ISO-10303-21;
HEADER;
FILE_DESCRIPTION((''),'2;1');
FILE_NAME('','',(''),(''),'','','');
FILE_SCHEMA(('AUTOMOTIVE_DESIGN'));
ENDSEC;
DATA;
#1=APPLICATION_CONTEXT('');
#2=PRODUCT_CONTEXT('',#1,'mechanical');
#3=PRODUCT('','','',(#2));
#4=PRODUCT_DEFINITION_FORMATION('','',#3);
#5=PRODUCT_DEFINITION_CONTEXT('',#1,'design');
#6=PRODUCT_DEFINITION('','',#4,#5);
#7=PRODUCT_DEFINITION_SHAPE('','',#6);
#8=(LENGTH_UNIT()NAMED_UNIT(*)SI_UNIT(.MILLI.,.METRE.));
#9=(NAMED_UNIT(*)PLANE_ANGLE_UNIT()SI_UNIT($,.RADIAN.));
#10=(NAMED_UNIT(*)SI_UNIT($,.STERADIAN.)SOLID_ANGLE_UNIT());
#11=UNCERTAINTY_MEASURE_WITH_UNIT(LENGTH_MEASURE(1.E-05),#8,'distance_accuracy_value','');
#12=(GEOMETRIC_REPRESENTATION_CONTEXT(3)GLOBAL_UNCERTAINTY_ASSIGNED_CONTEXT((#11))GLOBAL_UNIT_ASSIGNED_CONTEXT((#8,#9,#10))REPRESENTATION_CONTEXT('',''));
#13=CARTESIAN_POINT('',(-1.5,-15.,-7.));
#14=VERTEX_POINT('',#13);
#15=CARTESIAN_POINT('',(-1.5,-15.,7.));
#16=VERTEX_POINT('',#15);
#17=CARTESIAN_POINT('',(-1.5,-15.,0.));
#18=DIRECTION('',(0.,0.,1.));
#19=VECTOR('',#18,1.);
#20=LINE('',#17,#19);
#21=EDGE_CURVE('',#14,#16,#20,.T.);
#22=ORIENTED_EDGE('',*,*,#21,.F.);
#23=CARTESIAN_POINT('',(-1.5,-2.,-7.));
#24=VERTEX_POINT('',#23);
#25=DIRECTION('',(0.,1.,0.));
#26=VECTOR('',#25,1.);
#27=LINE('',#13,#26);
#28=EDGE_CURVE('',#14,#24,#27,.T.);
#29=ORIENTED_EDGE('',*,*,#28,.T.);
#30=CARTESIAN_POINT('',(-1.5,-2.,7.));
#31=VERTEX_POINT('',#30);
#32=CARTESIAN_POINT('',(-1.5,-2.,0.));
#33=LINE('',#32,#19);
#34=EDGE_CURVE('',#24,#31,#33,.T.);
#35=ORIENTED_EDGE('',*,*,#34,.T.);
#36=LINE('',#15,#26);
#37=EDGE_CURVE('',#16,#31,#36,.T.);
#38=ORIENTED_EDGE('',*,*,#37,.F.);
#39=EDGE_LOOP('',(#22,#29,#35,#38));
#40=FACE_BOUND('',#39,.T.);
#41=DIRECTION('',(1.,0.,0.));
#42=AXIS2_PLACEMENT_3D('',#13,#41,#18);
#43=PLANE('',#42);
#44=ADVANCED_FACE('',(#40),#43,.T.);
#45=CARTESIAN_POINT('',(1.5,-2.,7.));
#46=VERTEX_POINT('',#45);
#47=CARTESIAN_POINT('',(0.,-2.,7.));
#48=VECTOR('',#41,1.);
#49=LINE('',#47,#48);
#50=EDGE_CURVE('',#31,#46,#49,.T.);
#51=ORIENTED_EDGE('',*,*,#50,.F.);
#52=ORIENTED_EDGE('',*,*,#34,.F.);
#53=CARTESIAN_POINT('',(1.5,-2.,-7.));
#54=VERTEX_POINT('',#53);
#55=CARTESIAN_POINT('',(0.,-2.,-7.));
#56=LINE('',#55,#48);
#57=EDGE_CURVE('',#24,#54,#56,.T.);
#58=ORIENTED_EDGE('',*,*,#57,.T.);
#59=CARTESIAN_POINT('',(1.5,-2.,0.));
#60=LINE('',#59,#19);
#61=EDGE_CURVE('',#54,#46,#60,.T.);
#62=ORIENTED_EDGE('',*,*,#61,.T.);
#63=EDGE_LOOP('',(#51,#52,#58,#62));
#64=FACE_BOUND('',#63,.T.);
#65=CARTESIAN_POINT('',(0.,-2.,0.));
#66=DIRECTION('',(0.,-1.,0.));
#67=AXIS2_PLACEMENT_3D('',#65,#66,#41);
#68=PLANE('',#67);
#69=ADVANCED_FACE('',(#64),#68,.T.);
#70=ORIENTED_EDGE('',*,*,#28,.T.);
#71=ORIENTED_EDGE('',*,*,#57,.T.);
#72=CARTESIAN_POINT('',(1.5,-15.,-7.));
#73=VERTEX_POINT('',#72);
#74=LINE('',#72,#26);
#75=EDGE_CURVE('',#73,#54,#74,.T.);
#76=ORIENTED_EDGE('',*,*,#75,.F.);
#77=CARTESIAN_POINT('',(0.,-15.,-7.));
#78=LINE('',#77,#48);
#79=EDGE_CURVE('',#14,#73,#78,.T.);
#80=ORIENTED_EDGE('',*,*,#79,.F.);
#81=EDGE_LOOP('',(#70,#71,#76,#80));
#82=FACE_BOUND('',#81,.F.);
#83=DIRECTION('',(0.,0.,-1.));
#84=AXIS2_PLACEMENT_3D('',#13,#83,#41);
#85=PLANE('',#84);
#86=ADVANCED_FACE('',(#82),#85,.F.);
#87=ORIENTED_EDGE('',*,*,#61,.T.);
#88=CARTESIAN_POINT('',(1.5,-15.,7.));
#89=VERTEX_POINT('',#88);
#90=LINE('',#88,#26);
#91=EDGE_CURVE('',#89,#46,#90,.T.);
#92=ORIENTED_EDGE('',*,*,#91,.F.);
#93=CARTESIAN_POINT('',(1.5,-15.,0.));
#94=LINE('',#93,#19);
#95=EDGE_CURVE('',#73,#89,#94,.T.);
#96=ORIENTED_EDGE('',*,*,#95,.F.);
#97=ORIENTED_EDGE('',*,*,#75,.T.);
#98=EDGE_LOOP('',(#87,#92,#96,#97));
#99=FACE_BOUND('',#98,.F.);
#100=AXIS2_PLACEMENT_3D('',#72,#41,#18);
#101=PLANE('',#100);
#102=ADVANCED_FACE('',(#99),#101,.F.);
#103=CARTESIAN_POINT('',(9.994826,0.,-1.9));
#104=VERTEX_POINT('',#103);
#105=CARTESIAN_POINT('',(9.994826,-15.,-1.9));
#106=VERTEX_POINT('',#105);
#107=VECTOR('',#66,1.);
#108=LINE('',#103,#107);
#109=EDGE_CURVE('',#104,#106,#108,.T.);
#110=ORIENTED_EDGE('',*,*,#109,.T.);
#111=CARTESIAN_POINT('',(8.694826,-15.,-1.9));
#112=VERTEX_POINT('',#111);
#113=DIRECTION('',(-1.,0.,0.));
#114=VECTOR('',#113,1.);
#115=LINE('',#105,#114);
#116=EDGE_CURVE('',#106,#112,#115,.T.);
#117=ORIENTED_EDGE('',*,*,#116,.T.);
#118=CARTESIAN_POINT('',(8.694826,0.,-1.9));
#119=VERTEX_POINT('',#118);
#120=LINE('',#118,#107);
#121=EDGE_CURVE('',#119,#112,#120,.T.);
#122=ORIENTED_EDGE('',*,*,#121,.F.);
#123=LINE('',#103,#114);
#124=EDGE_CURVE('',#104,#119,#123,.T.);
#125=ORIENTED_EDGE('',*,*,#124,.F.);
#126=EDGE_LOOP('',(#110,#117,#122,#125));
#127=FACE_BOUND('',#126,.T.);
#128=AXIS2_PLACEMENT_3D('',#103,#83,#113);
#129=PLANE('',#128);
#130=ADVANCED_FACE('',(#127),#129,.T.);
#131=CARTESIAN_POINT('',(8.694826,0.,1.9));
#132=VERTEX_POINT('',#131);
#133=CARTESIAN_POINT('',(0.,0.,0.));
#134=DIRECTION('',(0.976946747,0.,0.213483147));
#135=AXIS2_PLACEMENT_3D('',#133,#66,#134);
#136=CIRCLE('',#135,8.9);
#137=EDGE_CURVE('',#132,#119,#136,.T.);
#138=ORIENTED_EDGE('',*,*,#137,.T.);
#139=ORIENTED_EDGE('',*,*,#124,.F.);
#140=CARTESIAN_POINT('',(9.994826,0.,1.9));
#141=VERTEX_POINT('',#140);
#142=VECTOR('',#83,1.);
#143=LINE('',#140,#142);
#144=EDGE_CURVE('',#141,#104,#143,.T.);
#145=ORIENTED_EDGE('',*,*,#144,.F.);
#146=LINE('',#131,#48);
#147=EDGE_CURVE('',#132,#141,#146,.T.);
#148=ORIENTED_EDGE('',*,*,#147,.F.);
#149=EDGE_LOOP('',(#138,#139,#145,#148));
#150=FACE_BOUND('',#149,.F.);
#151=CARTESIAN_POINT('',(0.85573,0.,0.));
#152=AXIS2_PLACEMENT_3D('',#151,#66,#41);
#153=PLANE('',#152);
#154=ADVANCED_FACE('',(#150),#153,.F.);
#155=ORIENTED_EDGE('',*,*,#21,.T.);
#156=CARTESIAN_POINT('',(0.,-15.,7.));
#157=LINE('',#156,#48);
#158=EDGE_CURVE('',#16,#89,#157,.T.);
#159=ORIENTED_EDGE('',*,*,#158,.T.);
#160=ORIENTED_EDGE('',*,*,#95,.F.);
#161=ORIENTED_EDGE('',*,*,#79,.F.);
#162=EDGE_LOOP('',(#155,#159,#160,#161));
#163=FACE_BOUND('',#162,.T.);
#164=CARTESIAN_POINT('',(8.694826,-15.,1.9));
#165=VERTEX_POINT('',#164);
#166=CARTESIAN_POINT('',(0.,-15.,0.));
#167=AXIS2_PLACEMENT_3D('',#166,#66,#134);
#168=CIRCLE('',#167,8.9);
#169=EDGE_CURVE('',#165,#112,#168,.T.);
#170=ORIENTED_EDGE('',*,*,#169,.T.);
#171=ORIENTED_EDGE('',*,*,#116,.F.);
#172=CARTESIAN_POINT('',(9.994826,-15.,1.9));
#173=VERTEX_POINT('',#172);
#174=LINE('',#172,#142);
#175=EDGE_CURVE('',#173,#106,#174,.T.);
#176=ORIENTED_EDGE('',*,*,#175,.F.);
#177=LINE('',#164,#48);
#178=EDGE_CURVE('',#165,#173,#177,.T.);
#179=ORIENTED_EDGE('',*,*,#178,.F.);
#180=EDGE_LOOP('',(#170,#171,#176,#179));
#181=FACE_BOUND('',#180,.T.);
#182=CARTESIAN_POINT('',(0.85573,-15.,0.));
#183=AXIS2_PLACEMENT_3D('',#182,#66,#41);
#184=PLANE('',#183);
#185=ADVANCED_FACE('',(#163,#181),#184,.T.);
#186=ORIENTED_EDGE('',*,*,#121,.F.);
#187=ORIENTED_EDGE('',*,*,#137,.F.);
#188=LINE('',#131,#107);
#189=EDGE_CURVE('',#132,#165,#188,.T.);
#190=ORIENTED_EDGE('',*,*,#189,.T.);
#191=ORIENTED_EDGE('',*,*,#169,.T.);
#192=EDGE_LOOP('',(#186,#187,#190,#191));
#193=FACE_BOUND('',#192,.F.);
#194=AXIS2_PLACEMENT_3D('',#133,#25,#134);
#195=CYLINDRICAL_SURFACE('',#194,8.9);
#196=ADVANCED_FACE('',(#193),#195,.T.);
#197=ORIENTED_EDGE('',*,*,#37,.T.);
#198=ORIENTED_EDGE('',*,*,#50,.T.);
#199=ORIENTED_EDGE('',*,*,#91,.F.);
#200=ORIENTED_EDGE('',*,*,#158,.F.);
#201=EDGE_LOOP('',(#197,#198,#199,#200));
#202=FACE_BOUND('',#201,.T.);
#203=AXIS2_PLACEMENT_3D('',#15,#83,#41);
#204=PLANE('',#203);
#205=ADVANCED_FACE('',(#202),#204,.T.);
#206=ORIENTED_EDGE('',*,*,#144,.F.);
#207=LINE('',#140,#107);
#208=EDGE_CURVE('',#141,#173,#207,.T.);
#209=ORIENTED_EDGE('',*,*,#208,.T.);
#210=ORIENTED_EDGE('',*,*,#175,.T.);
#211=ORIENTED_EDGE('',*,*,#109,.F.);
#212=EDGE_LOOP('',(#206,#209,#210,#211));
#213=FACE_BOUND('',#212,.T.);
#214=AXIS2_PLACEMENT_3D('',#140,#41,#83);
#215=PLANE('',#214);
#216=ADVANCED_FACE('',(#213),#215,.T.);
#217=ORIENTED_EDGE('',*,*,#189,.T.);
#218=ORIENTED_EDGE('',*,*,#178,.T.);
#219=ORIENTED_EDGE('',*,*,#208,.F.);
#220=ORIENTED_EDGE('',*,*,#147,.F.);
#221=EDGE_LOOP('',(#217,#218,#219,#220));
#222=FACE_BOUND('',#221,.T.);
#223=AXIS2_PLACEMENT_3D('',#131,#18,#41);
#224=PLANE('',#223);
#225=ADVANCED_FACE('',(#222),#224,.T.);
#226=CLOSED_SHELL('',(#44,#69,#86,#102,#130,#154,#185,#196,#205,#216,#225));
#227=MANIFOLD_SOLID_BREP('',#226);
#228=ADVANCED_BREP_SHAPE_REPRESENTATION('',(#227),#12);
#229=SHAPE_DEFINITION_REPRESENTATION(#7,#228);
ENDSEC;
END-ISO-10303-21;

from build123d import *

# Parameters (mm, degrees)
PAD_DEPTH    = 15
SKETCH001_W  = 3
SKETCH001_H  = 14
POCKET_DEPTH = 13


with BuildPart() as part:
    # Sketch → Pad (new body)
    with BuildSketch(Plane.XZ):
        with BuildLine():
            ThreePointArc((8.694826, 1.9), (-8.9, 0), (8.694826, -1.9))
            Line((9.994826, -1.9), (8.694826, -1.9))
            Line((9.994826, 1.9), (9.994826, -1.9))
            Line((8.694826, 1.9), (9.994826, 1.9))
        make_face()
    extrude(amount=PAD_DEPTH)

    # Sketch001 (on Face6 of Pad) → Pocket (cut)
    with BuildSketch(Plane.XZ.offset(15)):
        Rectangle(SKETCH001_W, SKETCH001_H)
    extrude(amount=-POCKET_DEPTH, mode=Mode.SUBTRACT)


solid = part.part
